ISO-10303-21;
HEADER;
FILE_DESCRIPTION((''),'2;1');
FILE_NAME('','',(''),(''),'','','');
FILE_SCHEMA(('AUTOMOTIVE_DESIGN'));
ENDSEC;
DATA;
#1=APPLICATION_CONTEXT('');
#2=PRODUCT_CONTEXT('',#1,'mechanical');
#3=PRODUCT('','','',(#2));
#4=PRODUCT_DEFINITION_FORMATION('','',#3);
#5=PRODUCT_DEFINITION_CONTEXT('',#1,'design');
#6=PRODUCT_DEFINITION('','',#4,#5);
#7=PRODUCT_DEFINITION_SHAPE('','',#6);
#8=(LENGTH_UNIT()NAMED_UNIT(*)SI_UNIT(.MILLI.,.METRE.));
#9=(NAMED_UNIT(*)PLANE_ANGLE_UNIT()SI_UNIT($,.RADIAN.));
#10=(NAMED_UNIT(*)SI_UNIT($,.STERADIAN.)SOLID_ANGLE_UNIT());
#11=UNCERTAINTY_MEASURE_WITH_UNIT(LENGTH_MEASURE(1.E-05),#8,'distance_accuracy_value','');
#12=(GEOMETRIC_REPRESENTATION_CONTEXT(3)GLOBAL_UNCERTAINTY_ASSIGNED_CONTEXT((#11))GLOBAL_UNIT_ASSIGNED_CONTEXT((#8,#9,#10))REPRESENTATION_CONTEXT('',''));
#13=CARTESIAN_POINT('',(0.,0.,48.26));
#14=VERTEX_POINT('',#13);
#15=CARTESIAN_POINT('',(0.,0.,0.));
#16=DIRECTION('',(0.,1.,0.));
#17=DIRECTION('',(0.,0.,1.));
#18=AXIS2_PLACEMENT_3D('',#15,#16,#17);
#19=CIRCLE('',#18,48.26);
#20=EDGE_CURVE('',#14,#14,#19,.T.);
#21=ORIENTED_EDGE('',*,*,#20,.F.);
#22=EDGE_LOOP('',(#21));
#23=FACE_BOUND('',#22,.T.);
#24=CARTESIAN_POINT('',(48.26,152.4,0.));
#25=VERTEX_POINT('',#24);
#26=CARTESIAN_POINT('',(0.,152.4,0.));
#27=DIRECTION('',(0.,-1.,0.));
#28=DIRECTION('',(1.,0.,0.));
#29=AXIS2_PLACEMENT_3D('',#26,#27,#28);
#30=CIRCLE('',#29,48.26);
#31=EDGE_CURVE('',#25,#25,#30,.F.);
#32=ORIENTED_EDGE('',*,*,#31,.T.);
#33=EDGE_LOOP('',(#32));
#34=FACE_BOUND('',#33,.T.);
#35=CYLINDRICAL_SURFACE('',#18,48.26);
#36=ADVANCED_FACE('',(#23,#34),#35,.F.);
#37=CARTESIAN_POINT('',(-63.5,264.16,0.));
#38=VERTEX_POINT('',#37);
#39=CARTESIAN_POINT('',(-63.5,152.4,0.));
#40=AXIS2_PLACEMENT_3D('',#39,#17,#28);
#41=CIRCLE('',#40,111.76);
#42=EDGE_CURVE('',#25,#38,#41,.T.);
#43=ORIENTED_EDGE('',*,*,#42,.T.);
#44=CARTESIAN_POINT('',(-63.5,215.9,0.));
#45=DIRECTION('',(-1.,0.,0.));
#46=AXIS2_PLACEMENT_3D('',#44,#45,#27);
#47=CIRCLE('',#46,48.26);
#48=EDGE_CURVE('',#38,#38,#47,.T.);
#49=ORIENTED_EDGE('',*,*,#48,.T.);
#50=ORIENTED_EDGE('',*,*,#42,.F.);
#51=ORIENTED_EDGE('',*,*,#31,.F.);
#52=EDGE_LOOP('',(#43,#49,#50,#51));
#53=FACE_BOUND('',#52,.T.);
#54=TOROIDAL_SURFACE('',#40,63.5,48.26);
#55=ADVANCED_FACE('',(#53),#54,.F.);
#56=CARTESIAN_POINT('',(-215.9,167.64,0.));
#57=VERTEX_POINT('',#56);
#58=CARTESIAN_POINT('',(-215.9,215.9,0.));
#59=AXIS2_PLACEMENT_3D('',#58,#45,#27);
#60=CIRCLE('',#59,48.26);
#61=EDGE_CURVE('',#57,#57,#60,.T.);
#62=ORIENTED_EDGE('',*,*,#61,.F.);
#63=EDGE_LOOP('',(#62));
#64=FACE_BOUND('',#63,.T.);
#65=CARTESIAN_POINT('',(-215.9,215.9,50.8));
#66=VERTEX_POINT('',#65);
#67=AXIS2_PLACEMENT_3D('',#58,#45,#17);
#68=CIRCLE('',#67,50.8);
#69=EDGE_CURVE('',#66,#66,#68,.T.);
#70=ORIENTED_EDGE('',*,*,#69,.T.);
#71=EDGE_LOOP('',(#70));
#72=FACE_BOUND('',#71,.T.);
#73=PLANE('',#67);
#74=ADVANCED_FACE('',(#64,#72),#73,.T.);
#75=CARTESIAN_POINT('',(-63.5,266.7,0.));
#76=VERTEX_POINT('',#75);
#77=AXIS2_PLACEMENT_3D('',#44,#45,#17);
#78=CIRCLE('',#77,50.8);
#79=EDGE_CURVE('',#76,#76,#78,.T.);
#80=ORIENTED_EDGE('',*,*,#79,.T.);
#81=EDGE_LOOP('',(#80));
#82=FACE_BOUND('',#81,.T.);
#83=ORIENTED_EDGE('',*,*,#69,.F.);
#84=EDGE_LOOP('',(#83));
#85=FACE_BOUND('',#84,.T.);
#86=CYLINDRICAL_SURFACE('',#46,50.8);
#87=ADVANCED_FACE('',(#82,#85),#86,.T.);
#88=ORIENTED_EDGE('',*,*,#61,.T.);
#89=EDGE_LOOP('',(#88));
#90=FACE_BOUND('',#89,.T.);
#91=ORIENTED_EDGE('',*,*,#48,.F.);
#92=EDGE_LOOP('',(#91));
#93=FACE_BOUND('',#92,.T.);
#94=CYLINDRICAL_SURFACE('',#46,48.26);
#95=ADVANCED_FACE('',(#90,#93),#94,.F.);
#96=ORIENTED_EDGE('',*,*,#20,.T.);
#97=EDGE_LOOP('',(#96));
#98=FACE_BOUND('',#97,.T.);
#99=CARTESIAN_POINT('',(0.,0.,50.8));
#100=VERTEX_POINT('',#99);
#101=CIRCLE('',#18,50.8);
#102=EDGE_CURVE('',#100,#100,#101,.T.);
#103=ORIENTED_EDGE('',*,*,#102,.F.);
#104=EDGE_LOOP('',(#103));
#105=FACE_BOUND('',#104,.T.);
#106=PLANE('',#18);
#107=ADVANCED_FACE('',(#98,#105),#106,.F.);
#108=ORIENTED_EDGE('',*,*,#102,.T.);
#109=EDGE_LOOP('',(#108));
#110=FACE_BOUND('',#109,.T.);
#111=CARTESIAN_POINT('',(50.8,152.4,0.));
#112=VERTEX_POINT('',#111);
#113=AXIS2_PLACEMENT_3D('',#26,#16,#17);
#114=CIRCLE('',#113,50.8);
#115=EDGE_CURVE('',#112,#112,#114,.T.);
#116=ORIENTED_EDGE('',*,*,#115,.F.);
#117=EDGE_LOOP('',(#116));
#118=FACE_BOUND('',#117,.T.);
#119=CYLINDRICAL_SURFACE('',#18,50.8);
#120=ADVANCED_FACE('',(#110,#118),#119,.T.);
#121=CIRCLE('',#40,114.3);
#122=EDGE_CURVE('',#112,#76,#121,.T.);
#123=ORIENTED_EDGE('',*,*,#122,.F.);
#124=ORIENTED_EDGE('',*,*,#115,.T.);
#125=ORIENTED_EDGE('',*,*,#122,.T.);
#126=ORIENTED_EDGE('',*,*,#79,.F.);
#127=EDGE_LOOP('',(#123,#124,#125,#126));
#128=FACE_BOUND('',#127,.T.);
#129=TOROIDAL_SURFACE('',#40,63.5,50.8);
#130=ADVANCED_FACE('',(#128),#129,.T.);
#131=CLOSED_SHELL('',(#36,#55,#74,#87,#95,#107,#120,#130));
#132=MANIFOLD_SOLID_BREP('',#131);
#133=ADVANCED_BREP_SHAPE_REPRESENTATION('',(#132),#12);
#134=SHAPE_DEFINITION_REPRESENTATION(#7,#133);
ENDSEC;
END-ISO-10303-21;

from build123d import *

# Parameters (mm, degrees)
SKETCH2_R = 50.8
SHELL2_T  = -2.54


with BuildPart() as part:
    # Sweep1: sweep along a path in Sketch1
    with BuildLine(Plane.XY) as sweep1_path:
        Line((0, 0), (0, 152.4))
        ThreePointArc((0, 152.4), (-18.598719395, 197.301280605), (-63.5, 215.9))
        Line((-63.5, 215.9), (-215.9, 215.9))
    # Sketch2 → Sweep1 (sweep)
    with BuildSketch(Plane(origin=(0, 0, 0), x_dir=(1, 0, 0), z_dir=(0, 1, 0))):
        Circle(SKETCH2_R)
    sweep(path=sweep1_path.line)

    # Shell2
    shell2_openings = [part.faces().sort_by_distance(p)[0] for p in [
        (-215.9, 215.9, 0),
        (0, 0, 0),
    ]]
    offset(amount=SHELL2_T, openings=shell2_openings, kind=Kind.INTERSECTION)


solid = part.part
